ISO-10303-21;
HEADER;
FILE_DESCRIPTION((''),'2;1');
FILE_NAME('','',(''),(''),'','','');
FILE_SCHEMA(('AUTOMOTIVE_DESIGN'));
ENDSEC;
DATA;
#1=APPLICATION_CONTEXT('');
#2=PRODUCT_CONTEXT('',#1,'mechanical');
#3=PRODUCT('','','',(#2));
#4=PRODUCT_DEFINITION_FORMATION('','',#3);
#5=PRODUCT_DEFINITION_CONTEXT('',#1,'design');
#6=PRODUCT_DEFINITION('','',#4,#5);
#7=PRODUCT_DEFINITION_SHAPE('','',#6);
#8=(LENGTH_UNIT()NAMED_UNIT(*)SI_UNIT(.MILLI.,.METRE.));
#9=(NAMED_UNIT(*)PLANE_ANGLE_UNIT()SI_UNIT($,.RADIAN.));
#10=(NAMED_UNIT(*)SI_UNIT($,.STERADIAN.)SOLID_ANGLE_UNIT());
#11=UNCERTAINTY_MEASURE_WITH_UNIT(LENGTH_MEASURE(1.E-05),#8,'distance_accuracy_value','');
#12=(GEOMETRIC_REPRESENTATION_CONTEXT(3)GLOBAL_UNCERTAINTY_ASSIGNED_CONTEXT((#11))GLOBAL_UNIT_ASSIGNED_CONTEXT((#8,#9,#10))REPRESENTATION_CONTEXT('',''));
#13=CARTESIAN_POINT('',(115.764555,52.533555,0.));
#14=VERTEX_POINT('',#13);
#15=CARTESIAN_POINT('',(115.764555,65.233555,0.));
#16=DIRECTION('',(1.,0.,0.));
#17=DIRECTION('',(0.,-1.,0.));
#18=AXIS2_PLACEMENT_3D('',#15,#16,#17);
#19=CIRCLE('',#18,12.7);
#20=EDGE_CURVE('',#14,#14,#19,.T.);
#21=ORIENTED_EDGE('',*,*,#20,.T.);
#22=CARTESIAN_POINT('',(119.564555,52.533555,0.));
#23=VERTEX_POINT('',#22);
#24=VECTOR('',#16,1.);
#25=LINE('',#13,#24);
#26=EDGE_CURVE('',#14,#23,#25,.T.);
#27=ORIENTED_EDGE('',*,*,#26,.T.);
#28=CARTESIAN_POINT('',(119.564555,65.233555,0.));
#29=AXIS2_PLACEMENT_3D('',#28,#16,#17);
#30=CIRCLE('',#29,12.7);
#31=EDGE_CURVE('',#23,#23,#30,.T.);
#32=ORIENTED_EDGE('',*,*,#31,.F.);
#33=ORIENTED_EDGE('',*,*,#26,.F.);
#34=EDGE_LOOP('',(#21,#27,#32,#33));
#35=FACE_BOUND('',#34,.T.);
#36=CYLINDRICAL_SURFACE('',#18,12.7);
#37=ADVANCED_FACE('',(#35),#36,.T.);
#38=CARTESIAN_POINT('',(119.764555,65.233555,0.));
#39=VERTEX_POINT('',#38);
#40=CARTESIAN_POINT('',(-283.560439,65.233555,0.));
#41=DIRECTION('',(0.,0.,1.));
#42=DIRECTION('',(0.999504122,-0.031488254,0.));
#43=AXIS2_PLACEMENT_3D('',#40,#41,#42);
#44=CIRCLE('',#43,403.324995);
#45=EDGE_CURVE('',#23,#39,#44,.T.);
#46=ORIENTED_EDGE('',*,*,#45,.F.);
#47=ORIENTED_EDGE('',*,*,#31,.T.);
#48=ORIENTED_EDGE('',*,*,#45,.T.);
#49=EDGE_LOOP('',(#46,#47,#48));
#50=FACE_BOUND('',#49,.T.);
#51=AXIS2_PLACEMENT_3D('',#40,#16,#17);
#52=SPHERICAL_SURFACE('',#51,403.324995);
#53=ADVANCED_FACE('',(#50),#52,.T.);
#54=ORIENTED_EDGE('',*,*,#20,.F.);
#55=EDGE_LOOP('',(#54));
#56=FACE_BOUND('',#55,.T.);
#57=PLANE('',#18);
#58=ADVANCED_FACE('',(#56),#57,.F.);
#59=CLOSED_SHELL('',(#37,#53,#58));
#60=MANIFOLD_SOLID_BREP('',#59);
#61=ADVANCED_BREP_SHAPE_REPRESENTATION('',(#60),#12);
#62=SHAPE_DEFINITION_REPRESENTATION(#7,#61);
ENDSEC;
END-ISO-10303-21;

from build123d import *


with BuildPart() as part:
    # 草图1 → 旋转1 (revolve)
    with BuildSketch(Plane.XY, mode=Mode.PRIVATE) as revolve_1_sk:
        with BuildLine():
            Line((115.764555476, 65.233554926), (115.764555476, 77.933554926))
            Line((115.764555476, 77.933554926), (119.564555476, 77.933554926))
            ThreePointArc((119.564555476, 77.933554926), (119.714552377, 71.584342279), (119.764555476, 65.233554926))
            Line((119.764555476, 65.233554926), (115.764555476, 65.233554926))
        make_face()
    revolve(revolve_1_sk.sketch.rotate(Axis((110.165373228, 65.233554926, 0), (1, 0, 0)), 180), axis=Axis((110.165373228, 65.233554926, 0), (1, 0, 0)))  # turned: the seam where the file's is


solid = part.part
